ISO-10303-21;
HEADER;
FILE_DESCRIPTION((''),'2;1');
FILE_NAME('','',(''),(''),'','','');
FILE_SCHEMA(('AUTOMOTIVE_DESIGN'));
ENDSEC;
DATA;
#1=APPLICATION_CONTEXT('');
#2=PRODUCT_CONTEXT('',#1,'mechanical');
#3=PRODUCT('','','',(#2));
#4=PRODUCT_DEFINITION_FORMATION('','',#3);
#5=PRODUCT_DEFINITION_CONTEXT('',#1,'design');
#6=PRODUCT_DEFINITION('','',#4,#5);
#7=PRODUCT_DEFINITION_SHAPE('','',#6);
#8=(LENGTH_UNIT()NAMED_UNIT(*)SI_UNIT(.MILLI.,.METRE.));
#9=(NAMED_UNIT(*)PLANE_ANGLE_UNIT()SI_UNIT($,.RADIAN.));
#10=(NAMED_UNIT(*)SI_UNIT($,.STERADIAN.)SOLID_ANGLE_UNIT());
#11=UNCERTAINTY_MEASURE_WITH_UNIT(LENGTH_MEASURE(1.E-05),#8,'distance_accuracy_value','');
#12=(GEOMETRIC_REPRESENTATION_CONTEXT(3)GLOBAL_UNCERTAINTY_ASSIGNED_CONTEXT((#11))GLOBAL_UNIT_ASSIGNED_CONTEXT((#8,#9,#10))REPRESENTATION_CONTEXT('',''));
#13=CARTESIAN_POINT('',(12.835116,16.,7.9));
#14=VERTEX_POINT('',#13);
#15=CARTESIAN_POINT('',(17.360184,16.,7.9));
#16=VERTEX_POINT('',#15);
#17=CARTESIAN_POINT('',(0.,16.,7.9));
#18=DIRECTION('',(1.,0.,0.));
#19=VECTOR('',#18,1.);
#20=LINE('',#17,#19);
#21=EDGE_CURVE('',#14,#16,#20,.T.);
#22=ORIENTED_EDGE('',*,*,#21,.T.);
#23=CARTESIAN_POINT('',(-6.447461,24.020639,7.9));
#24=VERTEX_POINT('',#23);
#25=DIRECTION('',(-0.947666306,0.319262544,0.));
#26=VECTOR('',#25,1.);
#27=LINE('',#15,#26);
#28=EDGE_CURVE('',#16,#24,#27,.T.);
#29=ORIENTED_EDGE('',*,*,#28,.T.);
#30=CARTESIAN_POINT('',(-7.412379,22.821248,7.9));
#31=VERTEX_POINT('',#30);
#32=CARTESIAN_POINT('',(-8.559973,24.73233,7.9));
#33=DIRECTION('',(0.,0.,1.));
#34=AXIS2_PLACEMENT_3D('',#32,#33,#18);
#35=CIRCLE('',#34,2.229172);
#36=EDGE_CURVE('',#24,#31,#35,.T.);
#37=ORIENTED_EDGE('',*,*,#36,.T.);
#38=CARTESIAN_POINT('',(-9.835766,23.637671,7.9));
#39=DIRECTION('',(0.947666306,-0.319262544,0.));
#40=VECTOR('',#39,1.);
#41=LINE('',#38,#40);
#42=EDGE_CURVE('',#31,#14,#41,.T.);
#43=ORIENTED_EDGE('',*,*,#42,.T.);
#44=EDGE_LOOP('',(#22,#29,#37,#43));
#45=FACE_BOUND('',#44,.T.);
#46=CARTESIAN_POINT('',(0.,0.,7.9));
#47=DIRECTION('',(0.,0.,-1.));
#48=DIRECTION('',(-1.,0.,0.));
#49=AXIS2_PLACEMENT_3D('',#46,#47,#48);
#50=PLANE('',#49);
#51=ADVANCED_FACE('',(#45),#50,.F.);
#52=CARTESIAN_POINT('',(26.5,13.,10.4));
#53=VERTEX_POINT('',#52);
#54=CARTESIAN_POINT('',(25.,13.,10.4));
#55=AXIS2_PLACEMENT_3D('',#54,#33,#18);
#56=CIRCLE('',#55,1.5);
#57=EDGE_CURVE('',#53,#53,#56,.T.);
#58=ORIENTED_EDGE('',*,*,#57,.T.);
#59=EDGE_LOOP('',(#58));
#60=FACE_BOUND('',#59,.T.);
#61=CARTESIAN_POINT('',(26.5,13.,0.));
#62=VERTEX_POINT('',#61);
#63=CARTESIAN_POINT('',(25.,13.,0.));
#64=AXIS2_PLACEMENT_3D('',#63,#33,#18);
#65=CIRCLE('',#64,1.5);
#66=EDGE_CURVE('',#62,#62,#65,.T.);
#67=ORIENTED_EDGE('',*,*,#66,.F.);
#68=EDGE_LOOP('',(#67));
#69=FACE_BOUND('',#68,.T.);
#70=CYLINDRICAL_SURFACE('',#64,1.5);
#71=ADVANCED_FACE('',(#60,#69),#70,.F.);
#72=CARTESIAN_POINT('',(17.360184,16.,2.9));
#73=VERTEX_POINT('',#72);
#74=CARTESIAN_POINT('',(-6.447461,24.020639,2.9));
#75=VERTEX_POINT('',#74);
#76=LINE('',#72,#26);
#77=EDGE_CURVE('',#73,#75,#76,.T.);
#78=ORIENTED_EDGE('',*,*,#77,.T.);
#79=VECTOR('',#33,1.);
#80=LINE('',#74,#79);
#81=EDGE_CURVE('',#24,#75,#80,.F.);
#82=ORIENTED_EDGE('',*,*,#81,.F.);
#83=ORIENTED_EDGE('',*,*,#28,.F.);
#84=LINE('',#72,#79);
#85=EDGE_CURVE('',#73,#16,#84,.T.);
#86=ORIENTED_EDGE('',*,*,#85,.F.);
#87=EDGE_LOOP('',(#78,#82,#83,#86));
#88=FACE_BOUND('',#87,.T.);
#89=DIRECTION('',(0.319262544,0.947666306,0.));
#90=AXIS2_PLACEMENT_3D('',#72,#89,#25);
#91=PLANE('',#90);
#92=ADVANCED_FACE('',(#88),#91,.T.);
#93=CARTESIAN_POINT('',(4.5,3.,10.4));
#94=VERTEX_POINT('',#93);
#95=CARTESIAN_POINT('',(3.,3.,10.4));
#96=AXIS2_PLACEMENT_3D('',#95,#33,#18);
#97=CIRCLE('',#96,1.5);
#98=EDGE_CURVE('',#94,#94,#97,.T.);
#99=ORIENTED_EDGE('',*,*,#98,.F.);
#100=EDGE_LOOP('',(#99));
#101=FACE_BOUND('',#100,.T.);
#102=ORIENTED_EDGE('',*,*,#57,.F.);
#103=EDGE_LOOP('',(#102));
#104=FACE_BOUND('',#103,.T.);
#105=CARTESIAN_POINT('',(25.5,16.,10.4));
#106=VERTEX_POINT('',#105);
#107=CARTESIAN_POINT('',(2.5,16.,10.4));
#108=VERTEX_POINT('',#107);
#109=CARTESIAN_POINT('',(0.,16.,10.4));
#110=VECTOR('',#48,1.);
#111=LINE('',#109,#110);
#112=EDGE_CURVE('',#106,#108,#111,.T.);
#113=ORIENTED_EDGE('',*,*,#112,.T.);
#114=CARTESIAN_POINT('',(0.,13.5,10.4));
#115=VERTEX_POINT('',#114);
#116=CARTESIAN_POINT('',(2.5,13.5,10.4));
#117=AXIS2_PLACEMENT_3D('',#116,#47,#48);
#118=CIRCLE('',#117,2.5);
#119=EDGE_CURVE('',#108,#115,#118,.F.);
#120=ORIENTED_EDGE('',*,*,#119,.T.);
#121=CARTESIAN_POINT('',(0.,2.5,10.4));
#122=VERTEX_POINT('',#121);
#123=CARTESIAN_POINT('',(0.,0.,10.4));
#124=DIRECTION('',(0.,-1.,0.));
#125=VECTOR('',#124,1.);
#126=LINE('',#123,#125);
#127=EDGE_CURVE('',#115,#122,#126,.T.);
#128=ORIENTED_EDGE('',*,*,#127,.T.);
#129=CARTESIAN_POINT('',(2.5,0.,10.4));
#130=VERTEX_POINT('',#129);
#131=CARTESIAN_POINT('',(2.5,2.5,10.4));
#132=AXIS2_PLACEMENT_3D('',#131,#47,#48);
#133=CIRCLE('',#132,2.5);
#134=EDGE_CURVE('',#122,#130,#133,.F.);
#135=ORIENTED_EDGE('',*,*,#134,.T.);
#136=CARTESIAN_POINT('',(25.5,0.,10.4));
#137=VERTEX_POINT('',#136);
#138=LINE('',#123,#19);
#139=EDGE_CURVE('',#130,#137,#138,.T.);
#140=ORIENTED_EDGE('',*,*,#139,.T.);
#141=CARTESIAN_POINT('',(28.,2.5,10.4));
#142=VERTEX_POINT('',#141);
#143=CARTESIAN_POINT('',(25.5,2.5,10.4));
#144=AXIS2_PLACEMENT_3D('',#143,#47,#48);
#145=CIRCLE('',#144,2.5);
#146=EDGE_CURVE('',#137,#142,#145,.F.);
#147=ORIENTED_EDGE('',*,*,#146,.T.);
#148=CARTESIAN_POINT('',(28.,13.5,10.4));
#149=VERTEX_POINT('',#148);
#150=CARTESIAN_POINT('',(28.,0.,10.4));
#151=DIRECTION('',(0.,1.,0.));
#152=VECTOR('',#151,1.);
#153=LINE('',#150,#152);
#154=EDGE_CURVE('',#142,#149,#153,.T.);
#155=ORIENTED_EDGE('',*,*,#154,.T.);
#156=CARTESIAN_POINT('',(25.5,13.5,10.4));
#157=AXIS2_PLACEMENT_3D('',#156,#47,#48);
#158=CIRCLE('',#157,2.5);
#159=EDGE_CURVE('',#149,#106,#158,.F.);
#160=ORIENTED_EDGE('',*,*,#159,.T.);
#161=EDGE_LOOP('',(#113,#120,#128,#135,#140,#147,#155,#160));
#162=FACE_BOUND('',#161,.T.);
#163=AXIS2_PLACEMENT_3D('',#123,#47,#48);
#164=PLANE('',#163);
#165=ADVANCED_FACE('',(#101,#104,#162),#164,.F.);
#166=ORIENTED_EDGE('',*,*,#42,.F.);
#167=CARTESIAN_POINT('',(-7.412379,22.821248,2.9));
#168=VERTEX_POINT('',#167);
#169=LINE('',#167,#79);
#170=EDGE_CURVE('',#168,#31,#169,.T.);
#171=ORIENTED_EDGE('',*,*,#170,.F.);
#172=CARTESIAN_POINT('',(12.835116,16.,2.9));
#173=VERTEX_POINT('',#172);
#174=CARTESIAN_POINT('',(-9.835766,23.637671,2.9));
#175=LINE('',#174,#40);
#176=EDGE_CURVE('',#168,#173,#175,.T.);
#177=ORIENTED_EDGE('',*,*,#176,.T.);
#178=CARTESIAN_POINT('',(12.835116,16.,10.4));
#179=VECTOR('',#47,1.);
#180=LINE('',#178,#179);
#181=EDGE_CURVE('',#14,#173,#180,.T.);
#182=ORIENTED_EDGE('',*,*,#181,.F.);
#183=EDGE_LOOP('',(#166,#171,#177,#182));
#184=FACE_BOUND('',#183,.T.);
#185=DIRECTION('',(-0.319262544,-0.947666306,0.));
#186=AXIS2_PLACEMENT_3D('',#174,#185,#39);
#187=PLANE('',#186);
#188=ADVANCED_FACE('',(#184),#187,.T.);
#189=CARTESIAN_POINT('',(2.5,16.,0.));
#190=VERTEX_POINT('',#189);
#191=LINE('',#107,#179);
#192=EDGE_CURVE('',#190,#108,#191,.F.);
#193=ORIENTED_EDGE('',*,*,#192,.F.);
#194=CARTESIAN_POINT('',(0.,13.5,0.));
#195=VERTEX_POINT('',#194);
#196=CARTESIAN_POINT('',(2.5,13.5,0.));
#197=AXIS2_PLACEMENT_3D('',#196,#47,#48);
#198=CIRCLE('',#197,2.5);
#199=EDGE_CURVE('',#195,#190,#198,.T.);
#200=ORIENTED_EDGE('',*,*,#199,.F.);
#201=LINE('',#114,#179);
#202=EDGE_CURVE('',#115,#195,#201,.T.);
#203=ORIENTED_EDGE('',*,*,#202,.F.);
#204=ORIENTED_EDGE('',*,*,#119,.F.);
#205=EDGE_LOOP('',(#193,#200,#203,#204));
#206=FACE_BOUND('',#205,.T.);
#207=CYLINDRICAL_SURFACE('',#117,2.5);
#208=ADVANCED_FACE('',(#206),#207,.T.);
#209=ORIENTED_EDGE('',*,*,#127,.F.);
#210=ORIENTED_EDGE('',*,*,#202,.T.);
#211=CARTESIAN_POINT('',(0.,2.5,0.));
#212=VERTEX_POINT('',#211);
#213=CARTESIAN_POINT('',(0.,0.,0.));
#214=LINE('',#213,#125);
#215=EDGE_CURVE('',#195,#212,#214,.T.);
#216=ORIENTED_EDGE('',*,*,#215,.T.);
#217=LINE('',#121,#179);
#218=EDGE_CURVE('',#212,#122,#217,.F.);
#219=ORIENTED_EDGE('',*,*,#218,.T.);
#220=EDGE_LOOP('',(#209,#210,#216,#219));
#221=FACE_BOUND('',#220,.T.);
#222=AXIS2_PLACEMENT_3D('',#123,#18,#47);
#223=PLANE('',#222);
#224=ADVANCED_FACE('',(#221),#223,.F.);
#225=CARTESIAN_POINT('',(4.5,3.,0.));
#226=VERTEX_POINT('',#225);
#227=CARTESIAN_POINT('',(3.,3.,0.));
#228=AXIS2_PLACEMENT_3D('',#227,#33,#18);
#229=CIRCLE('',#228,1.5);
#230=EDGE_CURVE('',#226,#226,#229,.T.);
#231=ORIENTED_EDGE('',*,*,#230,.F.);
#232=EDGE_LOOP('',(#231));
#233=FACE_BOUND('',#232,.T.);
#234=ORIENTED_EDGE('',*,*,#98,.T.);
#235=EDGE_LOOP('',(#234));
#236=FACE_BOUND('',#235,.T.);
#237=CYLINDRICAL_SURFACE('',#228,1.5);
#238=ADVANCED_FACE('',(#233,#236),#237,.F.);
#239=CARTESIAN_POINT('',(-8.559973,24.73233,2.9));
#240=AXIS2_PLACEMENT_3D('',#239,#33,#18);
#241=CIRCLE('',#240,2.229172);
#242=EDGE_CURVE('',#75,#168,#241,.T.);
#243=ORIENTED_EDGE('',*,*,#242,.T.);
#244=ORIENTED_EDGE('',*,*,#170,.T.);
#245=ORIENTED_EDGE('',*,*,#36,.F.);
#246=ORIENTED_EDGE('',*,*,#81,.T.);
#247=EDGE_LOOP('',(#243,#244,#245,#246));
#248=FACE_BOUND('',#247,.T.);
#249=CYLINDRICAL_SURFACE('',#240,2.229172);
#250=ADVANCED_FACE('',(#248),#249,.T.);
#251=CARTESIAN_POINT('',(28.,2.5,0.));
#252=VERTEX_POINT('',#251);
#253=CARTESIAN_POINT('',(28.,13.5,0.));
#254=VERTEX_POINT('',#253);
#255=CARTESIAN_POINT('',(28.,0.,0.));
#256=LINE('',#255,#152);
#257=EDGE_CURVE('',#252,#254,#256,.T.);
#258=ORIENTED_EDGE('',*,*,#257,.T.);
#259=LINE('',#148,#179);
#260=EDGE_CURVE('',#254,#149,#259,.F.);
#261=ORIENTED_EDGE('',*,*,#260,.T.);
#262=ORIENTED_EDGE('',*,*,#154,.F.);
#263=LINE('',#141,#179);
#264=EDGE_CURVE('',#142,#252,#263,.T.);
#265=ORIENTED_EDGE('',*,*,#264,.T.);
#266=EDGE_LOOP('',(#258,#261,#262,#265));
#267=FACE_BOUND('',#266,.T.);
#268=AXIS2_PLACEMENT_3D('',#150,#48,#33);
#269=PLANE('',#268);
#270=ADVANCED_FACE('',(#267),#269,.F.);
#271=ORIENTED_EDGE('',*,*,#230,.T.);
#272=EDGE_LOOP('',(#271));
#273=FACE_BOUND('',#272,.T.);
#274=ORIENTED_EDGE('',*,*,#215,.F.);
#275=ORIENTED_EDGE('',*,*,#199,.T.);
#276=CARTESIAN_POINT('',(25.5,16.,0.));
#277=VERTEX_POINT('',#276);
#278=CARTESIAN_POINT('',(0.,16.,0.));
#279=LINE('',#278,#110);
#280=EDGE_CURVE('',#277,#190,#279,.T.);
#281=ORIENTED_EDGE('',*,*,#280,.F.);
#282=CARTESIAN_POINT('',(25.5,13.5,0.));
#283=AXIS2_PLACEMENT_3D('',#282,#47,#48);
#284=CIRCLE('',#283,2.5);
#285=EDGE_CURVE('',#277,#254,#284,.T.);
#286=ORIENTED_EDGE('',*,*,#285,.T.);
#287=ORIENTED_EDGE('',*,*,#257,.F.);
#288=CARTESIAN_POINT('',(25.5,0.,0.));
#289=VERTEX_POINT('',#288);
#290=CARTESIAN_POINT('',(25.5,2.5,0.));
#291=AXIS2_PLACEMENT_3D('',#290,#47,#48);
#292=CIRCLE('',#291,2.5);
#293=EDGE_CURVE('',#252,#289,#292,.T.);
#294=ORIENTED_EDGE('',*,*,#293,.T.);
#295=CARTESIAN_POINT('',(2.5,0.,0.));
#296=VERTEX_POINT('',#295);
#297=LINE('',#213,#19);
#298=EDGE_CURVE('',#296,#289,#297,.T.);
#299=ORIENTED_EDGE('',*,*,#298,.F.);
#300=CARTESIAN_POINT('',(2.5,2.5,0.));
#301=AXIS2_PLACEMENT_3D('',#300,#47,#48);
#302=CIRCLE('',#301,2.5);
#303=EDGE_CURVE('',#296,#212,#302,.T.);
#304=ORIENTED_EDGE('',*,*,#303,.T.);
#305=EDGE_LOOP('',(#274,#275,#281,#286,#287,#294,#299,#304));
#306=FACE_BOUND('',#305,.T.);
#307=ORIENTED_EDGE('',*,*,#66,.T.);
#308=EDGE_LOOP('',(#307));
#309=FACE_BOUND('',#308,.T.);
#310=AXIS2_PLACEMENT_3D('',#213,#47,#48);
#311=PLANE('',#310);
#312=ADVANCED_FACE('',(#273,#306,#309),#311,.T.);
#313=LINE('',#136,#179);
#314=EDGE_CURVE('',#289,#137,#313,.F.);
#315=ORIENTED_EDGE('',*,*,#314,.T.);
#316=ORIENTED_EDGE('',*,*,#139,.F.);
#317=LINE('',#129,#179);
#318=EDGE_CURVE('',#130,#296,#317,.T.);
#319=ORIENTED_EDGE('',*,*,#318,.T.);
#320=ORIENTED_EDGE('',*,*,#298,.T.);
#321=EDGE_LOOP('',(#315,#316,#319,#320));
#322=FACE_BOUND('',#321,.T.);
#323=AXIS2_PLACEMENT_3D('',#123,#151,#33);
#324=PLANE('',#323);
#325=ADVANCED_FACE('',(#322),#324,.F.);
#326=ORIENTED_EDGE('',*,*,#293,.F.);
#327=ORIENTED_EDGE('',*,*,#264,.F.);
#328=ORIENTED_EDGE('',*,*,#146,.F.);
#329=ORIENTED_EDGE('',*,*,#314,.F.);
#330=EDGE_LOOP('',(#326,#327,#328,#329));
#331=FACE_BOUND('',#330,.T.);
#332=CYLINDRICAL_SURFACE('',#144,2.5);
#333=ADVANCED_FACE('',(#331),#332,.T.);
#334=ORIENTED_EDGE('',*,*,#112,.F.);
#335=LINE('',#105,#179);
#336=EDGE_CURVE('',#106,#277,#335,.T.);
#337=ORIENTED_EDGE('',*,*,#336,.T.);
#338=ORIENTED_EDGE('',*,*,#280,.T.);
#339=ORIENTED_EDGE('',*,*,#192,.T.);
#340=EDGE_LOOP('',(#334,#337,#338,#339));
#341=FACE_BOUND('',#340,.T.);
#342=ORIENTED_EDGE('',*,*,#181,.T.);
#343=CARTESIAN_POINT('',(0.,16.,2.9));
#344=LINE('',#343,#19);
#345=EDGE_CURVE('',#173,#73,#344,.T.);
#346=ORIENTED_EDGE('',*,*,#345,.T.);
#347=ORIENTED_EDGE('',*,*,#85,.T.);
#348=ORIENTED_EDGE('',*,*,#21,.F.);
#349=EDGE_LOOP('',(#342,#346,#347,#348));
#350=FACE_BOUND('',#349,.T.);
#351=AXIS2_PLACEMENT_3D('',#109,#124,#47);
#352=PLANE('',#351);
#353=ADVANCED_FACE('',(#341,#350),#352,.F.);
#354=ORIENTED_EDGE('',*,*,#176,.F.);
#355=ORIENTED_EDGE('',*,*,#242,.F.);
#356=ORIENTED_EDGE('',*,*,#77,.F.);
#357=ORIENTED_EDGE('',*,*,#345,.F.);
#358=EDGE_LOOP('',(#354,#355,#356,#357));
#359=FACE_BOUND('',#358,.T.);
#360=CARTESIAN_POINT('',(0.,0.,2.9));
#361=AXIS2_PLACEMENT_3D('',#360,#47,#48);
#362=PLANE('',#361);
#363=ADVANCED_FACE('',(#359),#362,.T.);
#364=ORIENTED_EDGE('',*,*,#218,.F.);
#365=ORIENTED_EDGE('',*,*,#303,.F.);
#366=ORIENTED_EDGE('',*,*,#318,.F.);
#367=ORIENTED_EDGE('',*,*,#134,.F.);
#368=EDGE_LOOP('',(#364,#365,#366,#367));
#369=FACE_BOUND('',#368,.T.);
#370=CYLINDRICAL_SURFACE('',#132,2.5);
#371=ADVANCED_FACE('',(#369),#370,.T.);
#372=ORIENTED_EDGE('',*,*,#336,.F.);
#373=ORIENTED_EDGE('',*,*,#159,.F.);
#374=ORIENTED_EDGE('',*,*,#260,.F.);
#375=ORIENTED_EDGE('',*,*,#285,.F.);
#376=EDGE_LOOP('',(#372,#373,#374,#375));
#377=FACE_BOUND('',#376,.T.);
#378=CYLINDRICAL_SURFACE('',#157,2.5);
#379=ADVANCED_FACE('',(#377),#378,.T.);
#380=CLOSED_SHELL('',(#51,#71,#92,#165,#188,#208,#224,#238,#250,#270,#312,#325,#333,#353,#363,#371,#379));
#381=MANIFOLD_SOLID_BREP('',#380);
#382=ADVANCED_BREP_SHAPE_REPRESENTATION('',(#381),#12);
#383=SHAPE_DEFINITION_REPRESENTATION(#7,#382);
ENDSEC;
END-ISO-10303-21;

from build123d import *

# Parameters (mm, degrees)
SZKIC1_W                    = 28
SZKIC1_H                    = 16
DODANIE_WYCI_GNI_CIE1_DEPTH = 10.4
SZKIC2_R                    = 1.5
WYTNIJ_WYCI_GNI_CIE1_DEPTH  = 10.4
ZAOKR_GLENIE1_R             = 2.5
DODANIE_WYCI_GNI_CIE2_START = -2.5
DODANIE_WYCI_GNI_CIE2_DEPTH = 5
SZKIC5_R                    = 2.229172114
DODANIE_WYCI_GNI_CIE3_DEPTH = 5


with BuildPart() as part:
    # Szkic1 → Dodanie-wyciągnięcie1 (new body)
    with BuildSketch(Plane.XY):
        with Locations((14, 8)):
            Rectangle(SZKIC1_W, SZKIC1_H)
    extrude(amount=DODANIE_WYCI_GNI_CIE1_DEPTH)

    # Szkic2 → Wytnij-wyciągnięcie1 (cut)
    with BuildSketch(Plane.XY.offset(10.4)):
        with Locations((3, 3)):
            Circle(SZKIC2_R)
        with Locations((25, 13)):
            Circle(SZKIC2_R)
    extrude(amount=-WYTNIJ_WYCI_GNI_CIE1_DEPTH, mode=Mode.SUBTRACT)

    # Zaokrąglenie1
    zaokr_glenie1_edges = [part.edges().sort_by_distance(p)[0] for p in [
        (0, 16, 5.2),
        (28, 16, 5.2),
        (28, 0, 5.2),
        (0, 0, 5.2),
    ]]
    fillet(zaokr_glenie1_edges, radius=ZAOKR_GLENIE1_R)

    # Szkic4 → Dodanie-wyciągnięcie2 (add)
    with BuildSketch(Plane.XY.offset(10.4).offset(DODANIE_WYCI_GNI_CIE2_START)):
        Polygon((17.360184227, 16), (-9.374532536, 25.006750185), (-9.835766296, 23.637671029), (15.248549739, 15.186929991), align=None)
    extrude(amount=-DODANIE_WYCI_GNI_CIE2_DEPTH)

    # Szkic5 → Dodanie-wyciągnięcie3 (add)
    with BuildSketch(Plane.XY.offset(7.9)):
        with Locations((-8.559972621, 24.732330309)):
            Circle(SZKIC5_R)
    extrude(amount=-DODANIE_WYCI_GNI_CIE3_DEPTH)


solid = part.part
